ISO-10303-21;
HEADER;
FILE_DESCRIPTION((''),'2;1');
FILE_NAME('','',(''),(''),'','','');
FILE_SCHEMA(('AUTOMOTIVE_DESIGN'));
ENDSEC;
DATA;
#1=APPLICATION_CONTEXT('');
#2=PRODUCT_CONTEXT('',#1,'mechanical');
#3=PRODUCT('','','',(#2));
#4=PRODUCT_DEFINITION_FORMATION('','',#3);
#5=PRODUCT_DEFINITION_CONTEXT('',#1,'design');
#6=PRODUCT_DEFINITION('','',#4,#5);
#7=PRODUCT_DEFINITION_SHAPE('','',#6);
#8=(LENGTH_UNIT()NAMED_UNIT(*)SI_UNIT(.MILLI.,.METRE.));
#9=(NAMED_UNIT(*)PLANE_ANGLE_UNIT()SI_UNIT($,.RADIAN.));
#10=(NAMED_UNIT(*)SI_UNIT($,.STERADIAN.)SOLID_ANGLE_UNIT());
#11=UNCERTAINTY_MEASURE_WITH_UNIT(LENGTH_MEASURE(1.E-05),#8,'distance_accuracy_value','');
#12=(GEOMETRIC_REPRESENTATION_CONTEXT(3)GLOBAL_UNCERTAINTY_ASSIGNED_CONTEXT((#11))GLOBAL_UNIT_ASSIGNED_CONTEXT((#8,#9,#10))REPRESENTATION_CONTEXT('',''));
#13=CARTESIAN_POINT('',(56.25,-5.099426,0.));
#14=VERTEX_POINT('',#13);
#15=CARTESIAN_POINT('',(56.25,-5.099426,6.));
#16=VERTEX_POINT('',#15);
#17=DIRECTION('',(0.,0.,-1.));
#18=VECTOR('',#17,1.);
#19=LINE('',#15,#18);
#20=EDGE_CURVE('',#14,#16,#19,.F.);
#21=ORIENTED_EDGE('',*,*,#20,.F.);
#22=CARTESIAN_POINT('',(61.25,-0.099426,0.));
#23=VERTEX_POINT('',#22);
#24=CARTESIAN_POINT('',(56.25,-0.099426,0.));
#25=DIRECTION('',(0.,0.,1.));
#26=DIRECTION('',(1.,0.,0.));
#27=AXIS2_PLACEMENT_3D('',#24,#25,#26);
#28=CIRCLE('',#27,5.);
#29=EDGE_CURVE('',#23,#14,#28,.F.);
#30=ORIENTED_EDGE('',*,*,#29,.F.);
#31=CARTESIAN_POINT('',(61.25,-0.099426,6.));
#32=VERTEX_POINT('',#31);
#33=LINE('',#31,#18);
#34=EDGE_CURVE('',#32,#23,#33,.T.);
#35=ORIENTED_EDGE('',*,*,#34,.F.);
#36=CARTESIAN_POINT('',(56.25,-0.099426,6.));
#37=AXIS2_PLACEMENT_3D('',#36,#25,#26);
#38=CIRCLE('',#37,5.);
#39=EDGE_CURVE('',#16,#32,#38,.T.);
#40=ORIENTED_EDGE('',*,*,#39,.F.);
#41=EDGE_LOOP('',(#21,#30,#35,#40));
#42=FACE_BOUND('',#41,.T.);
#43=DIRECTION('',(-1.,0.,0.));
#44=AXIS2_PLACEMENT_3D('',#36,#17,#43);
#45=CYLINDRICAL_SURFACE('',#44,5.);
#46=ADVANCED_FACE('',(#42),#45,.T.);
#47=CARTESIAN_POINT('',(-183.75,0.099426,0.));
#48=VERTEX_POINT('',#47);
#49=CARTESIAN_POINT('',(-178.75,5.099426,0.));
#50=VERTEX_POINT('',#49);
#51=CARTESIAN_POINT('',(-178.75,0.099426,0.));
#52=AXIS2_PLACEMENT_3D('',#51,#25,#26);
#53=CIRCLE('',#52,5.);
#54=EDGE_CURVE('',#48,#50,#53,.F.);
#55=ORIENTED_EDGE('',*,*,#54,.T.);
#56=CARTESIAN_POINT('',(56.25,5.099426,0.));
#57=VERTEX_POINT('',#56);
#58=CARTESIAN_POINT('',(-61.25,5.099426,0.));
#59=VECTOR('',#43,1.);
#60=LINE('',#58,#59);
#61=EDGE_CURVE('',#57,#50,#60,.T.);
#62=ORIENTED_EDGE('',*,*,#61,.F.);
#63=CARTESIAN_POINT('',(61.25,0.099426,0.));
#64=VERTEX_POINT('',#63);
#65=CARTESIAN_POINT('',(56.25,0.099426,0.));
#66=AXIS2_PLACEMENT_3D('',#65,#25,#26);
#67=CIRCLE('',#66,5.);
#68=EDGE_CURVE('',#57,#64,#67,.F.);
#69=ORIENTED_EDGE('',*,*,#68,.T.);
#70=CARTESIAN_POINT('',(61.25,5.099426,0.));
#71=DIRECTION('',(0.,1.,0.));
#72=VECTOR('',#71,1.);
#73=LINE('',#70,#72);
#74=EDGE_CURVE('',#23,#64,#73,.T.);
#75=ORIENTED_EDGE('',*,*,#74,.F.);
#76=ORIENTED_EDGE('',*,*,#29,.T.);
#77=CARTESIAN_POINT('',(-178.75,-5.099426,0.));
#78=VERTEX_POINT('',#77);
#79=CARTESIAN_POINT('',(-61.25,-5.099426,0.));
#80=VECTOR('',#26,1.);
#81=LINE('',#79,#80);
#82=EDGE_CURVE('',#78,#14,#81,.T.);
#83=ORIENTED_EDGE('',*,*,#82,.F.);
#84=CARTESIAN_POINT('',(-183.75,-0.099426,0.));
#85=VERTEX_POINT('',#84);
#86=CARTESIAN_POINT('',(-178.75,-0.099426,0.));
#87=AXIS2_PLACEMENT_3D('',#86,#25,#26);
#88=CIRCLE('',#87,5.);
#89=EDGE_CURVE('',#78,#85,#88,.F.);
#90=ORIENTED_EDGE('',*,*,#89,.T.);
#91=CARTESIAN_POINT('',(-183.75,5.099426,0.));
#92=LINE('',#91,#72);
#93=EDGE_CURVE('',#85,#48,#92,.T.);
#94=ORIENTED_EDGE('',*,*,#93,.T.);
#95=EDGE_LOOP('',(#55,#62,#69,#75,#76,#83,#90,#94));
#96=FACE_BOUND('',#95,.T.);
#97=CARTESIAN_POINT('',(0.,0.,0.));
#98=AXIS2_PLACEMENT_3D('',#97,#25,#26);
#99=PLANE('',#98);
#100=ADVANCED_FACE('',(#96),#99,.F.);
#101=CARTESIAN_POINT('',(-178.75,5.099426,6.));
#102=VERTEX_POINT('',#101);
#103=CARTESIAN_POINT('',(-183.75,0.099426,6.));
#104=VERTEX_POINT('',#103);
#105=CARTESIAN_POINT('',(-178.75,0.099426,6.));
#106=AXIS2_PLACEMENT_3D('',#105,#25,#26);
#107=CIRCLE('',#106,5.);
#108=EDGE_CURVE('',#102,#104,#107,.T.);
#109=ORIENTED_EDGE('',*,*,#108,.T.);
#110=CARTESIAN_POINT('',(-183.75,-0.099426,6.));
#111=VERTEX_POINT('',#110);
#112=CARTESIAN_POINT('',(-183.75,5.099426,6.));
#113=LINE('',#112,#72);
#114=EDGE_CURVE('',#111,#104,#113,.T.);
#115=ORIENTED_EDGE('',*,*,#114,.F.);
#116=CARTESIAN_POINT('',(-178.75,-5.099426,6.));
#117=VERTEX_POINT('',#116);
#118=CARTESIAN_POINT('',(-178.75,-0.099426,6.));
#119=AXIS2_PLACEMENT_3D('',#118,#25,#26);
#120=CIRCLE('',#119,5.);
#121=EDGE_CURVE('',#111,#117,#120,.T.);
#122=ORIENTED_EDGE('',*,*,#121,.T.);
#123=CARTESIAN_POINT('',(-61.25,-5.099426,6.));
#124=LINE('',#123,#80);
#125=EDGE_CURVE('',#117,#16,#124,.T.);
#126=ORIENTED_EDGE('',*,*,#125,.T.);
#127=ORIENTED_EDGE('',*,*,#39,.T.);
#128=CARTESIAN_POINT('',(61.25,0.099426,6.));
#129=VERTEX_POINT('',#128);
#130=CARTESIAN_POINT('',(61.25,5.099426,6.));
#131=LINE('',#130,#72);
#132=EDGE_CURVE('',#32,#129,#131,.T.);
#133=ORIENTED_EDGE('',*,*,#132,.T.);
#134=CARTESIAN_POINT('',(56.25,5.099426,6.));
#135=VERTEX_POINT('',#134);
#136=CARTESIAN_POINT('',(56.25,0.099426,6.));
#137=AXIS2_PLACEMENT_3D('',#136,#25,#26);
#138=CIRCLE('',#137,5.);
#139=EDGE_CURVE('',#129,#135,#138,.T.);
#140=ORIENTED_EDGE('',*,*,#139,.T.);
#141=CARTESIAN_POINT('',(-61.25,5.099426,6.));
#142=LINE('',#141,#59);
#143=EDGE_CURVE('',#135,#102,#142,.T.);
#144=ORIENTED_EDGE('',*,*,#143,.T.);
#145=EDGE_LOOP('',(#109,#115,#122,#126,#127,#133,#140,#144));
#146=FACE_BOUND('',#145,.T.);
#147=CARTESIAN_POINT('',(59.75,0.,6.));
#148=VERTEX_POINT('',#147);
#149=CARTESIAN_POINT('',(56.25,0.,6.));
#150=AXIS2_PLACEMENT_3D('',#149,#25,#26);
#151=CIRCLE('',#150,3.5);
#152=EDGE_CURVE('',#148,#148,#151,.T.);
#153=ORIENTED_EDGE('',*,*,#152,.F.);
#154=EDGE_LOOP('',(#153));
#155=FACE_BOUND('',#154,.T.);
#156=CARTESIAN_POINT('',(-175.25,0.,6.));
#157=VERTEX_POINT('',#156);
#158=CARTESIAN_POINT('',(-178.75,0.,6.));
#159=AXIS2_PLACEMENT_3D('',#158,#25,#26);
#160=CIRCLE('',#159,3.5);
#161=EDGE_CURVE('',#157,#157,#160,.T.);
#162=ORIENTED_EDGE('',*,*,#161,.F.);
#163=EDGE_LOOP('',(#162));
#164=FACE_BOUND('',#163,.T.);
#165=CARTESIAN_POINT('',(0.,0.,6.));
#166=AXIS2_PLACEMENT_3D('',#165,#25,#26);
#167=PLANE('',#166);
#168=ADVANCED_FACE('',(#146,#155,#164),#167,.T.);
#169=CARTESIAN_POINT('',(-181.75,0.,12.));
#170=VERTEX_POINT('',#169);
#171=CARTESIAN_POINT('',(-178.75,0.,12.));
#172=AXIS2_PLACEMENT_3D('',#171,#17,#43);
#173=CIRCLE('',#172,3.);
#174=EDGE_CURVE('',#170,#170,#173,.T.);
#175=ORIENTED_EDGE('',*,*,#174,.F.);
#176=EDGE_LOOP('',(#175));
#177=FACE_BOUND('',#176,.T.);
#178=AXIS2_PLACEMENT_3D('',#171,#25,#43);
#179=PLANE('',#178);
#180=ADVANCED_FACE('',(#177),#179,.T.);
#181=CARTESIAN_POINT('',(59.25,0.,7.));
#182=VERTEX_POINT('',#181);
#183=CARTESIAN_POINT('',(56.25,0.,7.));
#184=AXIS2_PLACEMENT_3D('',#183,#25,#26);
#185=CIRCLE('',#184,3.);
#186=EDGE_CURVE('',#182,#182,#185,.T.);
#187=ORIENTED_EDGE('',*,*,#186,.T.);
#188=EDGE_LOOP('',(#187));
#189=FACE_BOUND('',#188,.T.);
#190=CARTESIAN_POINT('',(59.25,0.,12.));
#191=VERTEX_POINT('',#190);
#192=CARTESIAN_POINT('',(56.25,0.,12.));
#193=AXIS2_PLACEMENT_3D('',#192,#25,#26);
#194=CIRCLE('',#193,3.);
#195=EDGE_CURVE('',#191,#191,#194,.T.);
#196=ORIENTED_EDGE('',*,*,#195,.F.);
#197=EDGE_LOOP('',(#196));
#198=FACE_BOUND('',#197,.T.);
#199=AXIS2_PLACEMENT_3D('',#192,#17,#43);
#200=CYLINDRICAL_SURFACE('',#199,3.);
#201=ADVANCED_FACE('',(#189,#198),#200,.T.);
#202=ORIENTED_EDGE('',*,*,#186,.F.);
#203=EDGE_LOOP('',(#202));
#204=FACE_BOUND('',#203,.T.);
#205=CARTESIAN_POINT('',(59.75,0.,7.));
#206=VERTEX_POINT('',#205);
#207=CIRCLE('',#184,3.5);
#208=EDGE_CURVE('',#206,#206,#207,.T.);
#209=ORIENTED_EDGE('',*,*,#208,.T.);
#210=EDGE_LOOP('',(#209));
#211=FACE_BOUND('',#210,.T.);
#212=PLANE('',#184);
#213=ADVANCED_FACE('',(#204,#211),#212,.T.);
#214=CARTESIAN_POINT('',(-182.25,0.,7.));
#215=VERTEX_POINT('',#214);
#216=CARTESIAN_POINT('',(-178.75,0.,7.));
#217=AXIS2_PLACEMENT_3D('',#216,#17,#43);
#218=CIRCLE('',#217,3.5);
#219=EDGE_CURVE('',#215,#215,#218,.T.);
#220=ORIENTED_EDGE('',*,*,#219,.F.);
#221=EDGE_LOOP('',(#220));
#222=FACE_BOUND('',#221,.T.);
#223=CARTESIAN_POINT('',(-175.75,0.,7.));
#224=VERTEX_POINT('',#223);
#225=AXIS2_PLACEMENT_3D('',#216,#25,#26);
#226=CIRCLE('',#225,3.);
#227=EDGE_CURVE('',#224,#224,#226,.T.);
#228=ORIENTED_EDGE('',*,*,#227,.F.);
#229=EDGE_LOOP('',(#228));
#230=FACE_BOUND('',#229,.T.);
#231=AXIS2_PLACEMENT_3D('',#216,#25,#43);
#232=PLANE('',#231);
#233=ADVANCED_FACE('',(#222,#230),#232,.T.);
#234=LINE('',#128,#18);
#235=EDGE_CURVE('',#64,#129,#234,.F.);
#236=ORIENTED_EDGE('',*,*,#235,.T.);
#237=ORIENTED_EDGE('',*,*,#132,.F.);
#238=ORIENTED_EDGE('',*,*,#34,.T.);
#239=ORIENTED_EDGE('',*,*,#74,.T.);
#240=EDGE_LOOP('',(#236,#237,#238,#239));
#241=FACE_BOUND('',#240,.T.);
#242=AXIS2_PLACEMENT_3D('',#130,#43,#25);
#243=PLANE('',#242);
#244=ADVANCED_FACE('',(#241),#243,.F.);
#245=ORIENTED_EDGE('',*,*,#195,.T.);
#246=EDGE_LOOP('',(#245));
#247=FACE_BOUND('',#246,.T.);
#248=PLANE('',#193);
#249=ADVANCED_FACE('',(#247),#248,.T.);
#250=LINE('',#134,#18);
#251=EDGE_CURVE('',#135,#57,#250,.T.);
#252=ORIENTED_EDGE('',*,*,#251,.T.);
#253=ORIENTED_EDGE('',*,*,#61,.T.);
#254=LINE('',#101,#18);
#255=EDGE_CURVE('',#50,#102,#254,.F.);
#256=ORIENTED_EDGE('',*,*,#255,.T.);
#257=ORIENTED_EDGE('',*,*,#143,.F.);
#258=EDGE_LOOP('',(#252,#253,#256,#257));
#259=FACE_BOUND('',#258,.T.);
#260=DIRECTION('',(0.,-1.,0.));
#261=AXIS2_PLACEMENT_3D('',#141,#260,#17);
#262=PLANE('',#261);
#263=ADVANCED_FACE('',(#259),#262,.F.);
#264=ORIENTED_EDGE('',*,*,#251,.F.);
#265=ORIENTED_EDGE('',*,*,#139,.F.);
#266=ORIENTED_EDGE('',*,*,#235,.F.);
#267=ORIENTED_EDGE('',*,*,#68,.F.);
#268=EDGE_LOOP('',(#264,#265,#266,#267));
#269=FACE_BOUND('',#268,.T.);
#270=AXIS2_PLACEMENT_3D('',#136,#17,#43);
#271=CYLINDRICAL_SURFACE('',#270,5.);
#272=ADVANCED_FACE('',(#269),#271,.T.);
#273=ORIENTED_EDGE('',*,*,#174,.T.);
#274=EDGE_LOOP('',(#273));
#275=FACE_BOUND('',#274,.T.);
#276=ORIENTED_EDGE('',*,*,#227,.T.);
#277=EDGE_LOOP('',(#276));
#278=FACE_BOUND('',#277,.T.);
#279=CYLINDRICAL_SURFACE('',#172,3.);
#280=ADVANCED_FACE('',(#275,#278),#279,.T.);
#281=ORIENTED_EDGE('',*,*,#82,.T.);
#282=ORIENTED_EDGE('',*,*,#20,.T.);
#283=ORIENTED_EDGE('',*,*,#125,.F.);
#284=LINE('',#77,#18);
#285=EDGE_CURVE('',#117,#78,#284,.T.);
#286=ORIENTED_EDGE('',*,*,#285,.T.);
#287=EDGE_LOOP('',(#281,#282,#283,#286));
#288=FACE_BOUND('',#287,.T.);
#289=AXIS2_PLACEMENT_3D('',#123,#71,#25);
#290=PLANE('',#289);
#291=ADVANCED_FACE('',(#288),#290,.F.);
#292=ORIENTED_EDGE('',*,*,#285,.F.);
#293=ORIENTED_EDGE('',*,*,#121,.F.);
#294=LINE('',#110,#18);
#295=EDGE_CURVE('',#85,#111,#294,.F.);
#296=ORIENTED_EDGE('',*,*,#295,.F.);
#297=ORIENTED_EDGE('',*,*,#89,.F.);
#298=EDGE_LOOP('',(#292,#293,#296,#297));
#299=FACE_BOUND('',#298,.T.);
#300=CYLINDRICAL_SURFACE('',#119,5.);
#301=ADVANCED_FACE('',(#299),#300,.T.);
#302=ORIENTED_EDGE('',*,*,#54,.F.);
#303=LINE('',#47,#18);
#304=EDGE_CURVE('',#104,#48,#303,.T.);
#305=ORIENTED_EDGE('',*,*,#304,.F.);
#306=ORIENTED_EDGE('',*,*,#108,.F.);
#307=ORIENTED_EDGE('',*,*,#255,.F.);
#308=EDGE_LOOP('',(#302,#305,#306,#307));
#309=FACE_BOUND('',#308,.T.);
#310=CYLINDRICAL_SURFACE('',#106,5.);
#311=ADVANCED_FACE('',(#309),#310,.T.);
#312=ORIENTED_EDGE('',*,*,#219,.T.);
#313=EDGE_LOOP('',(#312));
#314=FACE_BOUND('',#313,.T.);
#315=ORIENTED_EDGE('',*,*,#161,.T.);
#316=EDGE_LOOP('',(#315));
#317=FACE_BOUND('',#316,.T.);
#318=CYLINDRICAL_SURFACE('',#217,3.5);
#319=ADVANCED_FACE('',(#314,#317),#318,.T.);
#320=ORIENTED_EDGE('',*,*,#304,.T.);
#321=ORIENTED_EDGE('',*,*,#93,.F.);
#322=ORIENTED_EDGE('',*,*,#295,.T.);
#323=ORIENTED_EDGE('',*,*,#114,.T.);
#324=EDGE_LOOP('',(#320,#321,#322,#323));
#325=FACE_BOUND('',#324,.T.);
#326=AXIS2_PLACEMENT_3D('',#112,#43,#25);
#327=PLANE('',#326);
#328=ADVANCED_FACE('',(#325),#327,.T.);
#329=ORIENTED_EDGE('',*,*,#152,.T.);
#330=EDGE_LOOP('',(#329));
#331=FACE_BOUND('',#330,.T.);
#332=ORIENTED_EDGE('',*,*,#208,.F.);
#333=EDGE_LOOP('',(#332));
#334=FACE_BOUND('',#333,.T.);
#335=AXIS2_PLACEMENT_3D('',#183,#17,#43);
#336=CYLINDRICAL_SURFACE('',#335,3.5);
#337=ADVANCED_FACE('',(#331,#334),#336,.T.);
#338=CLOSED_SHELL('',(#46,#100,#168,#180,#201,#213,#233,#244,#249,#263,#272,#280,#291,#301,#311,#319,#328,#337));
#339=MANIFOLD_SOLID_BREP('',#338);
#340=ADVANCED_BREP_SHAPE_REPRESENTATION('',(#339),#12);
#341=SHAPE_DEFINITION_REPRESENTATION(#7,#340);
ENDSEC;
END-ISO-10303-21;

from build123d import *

# Parameters (mm, degrees)
SKETCH1_W            = 122.5
SKETCH1_H            = 10.198852772
BOSS_EXTRUDE1_DEPTH  = 6
FILLET1_R            = 5
SKETCH2_R            = 3.5
BOSS_EXTRUDE2_DEPTH  = 1
SKETCH3_R            = 3
BOSS_EXTRUDE3_DEPTH  = 5
FILLET1_OF_MIRROR1_R = 5


with BuildPart() as part:
    # Sketch1 → Boss-Extrude1 (new body)
    with BuildSketch(Plane.XY):
        Rectangle(SKETCH1_W, SKETCH1_H)
    boss_extrude1 = extrude(amount=BOSS_EXTRUDE1_DEPTH)

    # Fillet1
    fillet1_edges = [part.edges().sort_by_distance(p)[0] for p in [
        (61.25, -5.099426386, 3),
        (61.25, 5.099426386, 3),
    ]]
    fillet(fillet1_edges, radius=FILLET1_R)

    # Sketch2 → Boss-Extrude2 (add)
    with BuildSketch(Plane.XY.offset(6)):
        with Locations((56.25, 0)):
            Circle(SKETCH2_R)
    boss_extrude2 = extrude(amount=BOSS_EXTRUDE2_DEPTH)

    # Sketch3 → Boss-Extrude3 (add)
    with BuildSketch(Plane.XY.offset(7)):
        with Locations((56.25, 0)):
            Circle(SKETCH3_R)
    boss_extrude3 = extrude(amount=BOSS_EXTRUDE3_DEPTH)

    # Mirror1: Boss-Extrude1, Boss-Extrude2, Boss-Extrude3 across plane
    add(boss_extrude1.mirror(Plane(origin=(-61.25, 5.099426386, 6), x_dir=(0, 0, 1), z_dir=(1, 0, 0))))
    add(boss_extrude2.mirror(Plane(origin=(-61.25, 5.099426386, 6), x_dir=(0, 0, 1), z_dir=(1, 0, 0))))
    add(boss_extrude3.mirror(Plane(origin=(-61.25, 5.099426386, 6), x_dir=(0, 0, 1), z_dir=(1, 0, 0))))

    # Fillet1 of Mirror1
    fillet1_of_mirror1_edges = [part.edges().sort_by_distance(p)[0] for p in [
        (-183.75, -5.099426386, 3),
        (-183.75, 5.099426386, 3),
    ]]
    fillet(fillet1_of_mirror1_edges, radius=FILLET1_OF_MIRROR1_R)


solid = part.part
